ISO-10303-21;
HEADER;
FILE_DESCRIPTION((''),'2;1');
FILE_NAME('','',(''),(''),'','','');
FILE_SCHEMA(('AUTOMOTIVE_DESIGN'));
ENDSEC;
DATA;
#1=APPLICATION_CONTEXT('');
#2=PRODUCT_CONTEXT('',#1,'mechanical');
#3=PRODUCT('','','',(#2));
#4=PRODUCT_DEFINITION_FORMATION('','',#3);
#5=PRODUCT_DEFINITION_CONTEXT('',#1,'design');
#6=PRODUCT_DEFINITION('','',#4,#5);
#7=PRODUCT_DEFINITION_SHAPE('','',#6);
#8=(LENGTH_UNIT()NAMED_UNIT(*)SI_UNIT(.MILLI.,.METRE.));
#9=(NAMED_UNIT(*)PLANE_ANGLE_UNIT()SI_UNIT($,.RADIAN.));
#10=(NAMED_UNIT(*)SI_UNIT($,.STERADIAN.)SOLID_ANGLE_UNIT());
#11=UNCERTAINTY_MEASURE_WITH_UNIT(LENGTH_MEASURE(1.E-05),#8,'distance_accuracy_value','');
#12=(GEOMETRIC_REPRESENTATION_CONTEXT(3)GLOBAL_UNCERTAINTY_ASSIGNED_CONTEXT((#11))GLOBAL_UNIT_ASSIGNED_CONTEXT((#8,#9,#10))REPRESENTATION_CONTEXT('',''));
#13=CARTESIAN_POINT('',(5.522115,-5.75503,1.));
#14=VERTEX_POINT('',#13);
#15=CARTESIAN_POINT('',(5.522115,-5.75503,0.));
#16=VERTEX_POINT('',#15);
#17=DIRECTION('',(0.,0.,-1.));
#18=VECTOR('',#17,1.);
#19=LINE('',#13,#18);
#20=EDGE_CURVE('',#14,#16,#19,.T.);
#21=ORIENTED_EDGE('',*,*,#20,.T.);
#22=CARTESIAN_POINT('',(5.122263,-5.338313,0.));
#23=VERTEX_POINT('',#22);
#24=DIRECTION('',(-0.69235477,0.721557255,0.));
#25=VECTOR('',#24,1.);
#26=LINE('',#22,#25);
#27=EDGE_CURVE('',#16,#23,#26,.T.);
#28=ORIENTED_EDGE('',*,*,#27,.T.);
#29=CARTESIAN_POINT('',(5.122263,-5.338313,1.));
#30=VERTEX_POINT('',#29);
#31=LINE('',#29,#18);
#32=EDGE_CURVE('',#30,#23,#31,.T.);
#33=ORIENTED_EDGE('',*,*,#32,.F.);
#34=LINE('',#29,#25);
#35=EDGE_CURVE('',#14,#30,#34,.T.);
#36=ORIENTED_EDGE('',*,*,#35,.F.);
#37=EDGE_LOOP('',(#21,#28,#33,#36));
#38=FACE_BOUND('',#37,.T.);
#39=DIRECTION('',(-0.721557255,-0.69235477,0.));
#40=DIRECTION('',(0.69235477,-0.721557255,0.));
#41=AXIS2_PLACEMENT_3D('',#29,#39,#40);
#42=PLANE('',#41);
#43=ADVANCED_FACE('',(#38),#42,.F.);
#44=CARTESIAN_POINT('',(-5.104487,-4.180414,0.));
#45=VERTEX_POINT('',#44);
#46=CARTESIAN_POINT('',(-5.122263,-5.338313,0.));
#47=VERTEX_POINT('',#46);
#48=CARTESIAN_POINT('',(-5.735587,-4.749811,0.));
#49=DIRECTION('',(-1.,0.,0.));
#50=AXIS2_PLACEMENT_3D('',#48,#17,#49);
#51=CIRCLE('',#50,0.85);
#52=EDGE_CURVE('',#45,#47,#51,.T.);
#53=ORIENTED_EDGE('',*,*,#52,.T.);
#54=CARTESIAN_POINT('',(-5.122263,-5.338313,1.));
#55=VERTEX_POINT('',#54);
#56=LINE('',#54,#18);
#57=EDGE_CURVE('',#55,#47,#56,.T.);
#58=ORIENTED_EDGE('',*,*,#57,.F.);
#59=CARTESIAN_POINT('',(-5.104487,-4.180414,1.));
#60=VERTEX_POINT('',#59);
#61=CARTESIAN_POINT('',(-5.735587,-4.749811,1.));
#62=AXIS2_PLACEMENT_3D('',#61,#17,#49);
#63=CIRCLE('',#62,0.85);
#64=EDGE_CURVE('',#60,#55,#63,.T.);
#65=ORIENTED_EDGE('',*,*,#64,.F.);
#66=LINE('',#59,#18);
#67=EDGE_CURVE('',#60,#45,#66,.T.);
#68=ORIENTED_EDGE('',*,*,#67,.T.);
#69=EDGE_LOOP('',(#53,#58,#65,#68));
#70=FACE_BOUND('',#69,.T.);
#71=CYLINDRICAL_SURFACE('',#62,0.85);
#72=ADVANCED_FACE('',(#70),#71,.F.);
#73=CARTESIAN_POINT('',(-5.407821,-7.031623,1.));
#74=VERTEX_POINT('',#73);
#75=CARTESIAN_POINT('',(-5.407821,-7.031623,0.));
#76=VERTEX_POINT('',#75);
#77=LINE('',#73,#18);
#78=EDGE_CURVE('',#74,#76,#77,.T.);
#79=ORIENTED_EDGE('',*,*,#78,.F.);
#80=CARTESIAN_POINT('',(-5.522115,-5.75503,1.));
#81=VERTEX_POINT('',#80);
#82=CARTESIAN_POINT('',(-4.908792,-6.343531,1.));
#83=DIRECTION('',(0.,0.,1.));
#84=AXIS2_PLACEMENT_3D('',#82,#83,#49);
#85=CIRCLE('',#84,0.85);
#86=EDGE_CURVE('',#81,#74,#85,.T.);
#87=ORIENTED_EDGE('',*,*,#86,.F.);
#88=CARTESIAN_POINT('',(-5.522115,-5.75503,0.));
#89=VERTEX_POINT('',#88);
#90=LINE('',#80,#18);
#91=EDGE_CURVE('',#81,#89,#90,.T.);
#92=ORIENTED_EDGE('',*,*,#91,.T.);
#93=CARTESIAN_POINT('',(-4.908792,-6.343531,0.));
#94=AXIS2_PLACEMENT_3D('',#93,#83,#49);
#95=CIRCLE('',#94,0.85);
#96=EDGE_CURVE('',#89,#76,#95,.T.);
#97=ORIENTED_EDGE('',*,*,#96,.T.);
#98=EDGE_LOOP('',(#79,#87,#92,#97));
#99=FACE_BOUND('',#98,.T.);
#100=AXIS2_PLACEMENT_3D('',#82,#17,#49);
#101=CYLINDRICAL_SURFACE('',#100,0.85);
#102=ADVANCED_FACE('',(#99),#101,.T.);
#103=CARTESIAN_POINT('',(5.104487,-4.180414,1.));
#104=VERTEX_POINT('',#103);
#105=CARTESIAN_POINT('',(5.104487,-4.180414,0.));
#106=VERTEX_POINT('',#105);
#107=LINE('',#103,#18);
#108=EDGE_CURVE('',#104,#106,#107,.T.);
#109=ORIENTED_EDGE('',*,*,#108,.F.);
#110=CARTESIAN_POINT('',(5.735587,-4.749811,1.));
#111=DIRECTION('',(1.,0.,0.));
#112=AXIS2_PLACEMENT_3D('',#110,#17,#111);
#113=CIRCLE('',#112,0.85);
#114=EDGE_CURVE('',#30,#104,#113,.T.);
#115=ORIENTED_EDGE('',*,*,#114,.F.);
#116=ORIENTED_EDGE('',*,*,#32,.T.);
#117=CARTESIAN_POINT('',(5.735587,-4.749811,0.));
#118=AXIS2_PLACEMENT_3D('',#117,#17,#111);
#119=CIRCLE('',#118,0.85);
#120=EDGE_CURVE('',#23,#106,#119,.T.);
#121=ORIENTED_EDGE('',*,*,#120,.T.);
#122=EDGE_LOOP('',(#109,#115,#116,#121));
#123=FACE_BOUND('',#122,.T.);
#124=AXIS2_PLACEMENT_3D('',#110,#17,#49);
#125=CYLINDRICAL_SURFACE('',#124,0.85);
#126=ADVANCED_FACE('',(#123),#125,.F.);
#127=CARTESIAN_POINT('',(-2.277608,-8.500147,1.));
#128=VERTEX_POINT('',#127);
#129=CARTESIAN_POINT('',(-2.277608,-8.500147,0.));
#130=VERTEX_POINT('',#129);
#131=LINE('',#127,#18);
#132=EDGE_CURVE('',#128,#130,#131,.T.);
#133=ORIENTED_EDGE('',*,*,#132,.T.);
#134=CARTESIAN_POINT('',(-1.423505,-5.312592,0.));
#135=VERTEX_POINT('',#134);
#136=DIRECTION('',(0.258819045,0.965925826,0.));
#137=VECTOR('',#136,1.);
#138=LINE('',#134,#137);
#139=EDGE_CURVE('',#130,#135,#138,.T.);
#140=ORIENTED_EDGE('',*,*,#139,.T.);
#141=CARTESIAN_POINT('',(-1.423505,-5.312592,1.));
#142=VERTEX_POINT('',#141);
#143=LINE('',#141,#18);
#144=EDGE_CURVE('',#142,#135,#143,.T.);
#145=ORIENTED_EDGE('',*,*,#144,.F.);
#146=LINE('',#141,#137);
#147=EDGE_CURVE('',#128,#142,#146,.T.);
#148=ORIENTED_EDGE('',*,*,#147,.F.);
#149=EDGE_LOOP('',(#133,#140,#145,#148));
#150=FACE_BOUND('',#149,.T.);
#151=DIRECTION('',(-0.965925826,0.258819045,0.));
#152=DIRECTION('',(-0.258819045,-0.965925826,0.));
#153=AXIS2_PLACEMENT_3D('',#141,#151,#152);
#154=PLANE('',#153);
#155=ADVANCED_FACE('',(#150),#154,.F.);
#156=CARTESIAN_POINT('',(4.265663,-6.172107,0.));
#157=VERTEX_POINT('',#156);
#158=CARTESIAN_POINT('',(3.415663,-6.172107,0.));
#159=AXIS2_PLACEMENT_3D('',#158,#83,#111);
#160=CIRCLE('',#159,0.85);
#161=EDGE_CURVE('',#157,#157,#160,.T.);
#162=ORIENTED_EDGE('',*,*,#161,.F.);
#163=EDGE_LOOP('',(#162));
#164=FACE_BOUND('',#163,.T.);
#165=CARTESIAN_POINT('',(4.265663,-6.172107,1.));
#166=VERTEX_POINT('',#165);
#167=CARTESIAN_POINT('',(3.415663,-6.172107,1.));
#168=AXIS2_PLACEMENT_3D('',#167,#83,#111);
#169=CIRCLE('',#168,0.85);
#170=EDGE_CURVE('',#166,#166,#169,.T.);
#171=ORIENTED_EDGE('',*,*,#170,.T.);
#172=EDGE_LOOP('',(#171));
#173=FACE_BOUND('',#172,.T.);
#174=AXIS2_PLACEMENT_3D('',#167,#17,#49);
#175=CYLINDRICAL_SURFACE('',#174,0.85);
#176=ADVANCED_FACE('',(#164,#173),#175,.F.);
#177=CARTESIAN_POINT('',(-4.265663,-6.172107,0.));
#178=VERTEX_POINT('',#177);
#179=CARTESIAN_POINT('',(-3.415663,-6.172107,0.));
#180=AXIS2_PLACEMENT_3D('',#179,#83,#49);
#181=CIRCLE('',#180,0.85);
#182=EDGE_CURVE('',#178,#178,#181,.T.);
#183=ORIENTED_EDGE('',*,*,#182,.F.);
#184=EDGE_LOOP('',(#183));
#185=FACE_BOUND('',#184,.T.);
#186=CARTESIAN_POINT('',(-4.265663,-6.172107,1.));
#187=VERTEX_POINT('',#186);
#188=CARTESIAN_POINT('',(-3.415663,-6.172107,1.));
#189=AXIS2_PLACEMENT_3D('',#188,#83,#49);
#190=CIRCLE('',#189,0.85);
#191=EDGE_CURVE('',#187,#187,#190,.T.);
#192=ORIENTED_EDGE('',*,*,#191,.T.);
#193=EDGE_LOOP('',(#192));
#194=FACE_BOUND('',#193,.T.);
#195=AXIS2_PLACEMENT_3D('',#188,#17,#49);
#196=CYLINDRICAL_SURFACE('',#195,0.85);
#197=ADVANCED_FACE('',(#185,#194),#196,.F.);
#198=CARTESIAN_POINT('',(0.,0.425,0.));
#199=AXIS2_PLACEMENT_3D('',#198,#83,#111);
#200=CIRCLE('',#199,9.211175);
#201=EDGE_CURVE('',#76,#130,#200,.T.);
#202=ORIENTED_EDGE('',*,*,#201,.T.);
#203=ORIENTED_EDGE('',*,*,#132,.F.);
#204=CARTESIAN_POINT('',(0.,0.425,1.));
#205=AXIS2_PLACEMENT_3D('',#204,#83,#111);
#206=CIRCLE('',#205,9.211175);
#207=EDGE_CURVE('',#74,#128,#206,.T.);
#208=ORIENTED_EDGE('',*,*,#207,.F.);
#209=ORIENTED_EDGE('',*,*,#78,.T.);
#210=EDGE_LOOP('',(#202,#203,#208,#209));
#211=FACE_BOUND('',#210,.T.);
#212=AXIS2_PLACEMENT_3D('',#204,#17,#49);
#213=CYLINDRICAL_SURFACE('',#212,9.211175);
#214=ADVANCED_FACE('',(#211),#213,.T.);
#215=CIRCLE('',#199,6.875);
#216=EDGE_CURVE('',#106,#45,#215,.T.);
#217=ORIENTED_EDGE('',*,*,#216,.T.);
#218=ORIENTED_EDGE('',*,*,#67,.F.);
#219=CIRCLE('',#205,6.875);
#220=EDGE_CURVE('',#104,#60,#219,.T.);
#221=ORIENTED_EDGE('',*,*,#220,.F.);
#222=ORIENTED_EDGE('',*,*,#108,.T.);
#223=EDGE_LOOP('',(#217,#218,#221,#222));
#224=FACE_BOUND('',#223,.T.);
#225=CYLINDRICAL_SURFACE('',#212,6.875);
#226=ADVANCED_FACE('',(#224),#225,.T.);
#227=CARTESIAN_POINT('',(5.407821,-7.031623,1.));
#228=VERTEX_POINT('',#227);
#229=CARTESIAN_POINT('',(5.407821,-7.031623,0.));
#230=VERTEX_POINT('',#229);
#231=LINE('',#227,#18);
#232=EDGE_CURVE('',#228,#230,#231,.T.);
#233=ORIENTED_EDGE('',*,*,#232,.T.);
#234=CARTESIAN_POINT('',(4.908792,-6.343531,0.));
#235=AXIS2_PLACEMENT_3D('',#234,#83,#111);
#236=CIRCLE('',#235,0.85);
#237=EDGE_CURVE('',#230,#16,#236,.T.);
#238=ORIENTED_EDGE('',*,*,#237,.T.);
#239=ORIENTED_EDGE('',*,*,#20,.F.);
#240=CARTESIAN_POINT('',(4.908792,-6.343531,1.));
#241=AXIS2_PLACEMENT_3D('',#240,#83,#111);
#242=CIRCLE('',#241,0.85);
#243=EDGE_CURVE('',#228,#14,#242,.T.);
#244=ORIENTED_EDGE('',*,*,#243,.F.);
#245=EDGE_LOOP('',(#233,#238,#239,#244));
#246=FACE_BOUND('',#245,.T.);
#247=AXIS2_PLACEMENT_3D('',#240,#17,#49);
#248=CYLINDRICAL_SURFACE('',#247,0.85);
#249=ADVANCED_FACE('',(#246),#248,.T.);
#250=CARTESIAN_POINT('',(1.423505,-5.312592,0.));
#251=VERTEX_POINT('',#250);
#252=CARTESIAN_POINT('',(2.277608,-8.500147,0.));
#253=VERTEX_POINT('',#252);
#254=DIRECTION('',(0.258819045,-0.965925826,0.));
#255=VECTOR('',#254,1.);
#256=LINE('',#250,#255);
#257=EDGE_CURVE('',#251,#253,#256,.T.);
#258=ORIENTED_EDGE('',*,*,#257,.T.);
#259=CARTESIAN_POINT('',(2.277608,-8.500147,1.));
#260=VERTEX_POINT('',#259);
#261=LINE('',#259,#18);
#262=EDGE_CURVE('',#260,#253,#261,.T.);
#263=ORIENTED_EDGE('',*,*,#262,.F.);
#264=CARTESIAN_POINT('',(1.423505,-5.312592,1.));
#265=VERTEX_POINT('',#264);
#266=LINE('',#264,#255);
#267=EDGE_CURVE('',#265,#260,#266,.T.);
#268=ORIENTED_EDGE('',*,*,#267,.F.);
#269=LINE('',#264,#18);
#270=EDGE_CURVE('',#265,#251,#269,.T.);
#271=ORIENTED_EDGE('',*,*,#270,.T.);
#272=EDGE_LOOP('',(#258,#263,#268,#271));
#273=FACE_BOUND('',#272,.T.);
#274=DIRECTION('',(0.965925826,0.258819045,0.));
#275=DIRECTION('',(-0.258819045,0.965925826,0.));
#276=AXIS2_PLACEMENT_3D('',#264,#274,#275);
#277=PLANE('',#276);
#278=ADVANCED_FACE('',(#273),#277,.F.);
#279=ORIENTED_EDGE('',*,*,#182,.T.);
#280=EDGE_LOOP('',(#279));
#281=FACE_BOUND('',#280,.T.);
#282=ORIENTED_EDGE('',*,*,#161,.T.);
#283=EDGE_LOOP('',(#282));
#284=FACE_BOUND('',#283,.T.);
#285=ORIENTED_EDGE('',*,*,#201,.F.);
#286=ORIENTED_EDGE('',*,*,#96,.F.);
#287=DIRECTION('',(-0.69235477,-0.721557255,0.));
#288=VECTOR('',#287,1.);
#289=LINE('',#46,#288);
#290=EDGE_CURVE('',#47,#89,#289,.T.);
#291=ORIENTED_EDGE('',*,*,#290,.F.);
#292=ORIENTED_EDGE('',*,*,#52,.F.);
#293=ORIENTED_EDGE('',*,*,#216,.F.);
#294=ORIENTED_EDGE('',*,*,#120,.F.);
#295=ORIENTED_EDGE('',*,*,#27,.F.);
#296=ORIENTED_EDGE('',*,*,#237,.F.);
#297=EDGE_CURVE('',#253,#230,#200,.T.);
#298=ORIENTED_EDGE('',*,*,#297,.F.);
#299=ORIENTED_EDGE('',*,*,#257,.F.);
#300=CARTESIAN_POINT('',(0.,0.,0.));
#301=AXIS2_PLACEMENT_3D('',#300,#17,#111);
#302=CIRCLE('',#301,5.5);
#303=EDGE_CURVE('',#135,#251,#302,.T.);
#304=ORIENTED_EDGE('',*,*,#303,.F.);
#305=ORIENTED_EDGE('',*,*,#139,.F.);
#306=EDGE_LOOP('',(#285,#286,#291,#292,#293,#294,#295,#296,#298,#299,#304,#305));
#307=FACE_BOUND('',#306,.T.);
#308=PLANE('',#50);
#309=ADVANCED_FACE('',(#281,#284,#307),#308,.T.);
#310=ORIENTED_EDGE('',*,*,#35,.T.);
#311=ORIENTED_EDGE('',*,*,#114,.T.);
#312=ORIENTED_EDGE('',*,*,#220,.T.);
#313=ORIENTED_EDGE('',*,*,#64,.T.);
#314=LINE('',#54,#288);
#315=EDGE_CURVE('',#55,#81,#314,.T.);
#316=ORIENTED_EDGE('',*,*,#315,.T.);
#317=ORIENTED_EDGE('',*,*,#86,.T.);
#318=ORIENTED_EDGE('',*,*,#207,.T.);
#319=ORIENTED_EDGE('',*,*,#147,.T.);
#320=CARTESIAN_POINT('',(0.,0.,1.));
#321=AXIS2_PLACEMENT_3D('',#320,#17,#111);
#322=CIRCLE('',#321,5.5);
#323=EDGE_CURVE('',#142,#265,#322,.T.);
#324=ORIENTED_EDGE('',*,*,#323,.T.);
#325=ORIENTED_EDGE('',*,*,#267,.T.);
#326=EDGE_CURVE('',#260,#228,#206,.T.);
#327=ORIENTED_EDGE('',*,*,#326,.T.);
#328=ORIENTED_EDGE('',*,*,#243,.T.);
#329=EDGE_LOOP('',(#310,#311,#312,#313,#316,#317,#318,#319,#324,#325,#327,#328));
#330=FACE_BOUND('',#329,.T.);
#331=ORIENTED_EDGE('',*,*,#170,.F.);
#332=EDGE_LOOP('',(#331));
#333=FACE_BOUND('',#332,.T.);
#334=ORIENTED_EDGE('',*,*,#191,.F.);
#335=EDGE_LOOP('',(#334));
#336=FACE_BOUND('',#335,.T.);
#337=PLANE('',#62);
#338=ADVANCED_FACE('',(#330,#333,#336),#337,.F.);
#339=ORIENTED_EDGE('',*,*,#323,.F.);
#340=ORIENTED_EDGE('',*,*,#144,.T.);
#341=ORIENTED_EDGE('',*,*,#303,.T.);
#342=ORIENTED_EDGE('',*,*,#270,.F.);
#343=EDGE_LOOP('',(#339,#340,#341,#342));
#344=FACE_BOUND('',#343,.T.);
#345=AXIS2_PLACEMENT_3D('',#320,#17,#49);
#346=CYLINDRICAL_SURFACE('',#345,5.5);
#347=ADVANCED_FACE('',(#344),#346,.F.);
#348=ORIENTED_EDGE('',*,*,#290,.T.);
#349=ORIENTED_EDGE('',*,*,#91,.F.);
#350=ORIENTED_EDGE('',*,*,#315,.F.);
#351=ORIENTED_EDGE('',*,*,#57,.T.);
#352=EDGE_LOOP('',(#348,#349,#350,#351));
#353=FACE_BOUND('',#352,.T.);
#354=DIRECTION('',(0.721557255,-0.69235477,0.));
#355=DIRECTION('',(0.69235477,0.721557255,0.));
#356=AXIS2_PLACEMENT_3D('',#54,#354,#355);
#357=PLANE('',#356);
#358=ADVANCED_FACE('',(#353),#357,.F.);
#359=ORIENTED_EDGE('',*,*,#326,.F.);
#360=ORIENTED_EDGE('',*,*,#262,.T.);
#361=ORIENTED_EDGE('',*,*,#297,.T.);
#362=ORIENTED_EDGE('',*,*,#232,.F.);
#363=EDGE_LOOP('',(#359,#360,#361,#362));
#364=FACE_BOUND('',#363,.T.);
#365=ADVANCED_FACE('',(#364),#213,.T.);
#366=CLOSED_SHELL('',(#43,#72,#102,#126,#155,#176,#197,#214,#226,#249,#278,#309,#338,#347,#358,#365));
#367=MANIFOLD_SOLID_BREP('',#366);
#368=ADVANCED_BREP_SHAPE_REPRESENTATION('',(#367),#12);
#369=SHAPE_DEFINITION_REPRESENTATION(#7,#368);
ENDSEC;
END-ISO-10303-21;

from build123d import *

# Parameters (mm, degrees)
ESQUISSE1_R          = 0.85
BASE_EXTRUSION_DEPTH = 1


with BuildPart() as part:
    # Esquisse1 → Base-Extrusion (new body)
    with BuildSketch(Plane.XY):
        with BuildLine():
            Line((5.122263167, -5.338312534), (5.522115291, -5.75502982))
            ThreePointArc((5.522115291, -5.75502982), (5.75540528, -6.419329253), (5.407821096, -7.031622639))
            ThreePointArc((5.407821096, -7.031622639), (3.912236534, -7.914074018), (2.277607597, -8.500147271))
            Line((2.277607597, -8.500147271), (1.423504748, -5.312592045))
            ThreePointArc((1.423504748, -5.312592045), (0, 5.5), (-1.423504748, -5.312592045))
            Line((-1.423504748, -5.312592045), (-2.277607597, -8.500147271))
            ThreePointArc((-2.277607597, -8.500147271), (-3.912236534, -7.914074018), (-5.407821096, -7.031622639))
            ThreePointArc((-5.407821096, -7.031622639), (-5.75540528, -6.419329253), (-5.522115291, -5.75502982))
            Line((-5.522115291, -5.75502982), (-5.122263167, -5.338312534))
            ThreePointArc((-5.122263167, -5.338312534), (-4.885686987, -4.762858971), (-5.104486664, -4.180414302))
            ThreePointArc((-5.104486664, -4.180414302), (0, 7.3), (5.104486664, -4.180414302))
            ThreePointArc((5.104486664, -4.180414302), (4.885686987, -4.762858971), (5.122263167, -5.338312534))
        make_face()
        with Locations((3.415662922, -6.172107342)):
            Circle(ESQUISSE1_R, mode=Mode.SUBTRACT)
        with Locations(Location((-3.415662922, -6.172107342, 0), (0, 0, 180))):
            Circle(ESQUISSE1_R, mode=Mode.SUBTRACT)
    extrude(amount=BASE_EXTRUSION_DEPTH)


solid = part.part
